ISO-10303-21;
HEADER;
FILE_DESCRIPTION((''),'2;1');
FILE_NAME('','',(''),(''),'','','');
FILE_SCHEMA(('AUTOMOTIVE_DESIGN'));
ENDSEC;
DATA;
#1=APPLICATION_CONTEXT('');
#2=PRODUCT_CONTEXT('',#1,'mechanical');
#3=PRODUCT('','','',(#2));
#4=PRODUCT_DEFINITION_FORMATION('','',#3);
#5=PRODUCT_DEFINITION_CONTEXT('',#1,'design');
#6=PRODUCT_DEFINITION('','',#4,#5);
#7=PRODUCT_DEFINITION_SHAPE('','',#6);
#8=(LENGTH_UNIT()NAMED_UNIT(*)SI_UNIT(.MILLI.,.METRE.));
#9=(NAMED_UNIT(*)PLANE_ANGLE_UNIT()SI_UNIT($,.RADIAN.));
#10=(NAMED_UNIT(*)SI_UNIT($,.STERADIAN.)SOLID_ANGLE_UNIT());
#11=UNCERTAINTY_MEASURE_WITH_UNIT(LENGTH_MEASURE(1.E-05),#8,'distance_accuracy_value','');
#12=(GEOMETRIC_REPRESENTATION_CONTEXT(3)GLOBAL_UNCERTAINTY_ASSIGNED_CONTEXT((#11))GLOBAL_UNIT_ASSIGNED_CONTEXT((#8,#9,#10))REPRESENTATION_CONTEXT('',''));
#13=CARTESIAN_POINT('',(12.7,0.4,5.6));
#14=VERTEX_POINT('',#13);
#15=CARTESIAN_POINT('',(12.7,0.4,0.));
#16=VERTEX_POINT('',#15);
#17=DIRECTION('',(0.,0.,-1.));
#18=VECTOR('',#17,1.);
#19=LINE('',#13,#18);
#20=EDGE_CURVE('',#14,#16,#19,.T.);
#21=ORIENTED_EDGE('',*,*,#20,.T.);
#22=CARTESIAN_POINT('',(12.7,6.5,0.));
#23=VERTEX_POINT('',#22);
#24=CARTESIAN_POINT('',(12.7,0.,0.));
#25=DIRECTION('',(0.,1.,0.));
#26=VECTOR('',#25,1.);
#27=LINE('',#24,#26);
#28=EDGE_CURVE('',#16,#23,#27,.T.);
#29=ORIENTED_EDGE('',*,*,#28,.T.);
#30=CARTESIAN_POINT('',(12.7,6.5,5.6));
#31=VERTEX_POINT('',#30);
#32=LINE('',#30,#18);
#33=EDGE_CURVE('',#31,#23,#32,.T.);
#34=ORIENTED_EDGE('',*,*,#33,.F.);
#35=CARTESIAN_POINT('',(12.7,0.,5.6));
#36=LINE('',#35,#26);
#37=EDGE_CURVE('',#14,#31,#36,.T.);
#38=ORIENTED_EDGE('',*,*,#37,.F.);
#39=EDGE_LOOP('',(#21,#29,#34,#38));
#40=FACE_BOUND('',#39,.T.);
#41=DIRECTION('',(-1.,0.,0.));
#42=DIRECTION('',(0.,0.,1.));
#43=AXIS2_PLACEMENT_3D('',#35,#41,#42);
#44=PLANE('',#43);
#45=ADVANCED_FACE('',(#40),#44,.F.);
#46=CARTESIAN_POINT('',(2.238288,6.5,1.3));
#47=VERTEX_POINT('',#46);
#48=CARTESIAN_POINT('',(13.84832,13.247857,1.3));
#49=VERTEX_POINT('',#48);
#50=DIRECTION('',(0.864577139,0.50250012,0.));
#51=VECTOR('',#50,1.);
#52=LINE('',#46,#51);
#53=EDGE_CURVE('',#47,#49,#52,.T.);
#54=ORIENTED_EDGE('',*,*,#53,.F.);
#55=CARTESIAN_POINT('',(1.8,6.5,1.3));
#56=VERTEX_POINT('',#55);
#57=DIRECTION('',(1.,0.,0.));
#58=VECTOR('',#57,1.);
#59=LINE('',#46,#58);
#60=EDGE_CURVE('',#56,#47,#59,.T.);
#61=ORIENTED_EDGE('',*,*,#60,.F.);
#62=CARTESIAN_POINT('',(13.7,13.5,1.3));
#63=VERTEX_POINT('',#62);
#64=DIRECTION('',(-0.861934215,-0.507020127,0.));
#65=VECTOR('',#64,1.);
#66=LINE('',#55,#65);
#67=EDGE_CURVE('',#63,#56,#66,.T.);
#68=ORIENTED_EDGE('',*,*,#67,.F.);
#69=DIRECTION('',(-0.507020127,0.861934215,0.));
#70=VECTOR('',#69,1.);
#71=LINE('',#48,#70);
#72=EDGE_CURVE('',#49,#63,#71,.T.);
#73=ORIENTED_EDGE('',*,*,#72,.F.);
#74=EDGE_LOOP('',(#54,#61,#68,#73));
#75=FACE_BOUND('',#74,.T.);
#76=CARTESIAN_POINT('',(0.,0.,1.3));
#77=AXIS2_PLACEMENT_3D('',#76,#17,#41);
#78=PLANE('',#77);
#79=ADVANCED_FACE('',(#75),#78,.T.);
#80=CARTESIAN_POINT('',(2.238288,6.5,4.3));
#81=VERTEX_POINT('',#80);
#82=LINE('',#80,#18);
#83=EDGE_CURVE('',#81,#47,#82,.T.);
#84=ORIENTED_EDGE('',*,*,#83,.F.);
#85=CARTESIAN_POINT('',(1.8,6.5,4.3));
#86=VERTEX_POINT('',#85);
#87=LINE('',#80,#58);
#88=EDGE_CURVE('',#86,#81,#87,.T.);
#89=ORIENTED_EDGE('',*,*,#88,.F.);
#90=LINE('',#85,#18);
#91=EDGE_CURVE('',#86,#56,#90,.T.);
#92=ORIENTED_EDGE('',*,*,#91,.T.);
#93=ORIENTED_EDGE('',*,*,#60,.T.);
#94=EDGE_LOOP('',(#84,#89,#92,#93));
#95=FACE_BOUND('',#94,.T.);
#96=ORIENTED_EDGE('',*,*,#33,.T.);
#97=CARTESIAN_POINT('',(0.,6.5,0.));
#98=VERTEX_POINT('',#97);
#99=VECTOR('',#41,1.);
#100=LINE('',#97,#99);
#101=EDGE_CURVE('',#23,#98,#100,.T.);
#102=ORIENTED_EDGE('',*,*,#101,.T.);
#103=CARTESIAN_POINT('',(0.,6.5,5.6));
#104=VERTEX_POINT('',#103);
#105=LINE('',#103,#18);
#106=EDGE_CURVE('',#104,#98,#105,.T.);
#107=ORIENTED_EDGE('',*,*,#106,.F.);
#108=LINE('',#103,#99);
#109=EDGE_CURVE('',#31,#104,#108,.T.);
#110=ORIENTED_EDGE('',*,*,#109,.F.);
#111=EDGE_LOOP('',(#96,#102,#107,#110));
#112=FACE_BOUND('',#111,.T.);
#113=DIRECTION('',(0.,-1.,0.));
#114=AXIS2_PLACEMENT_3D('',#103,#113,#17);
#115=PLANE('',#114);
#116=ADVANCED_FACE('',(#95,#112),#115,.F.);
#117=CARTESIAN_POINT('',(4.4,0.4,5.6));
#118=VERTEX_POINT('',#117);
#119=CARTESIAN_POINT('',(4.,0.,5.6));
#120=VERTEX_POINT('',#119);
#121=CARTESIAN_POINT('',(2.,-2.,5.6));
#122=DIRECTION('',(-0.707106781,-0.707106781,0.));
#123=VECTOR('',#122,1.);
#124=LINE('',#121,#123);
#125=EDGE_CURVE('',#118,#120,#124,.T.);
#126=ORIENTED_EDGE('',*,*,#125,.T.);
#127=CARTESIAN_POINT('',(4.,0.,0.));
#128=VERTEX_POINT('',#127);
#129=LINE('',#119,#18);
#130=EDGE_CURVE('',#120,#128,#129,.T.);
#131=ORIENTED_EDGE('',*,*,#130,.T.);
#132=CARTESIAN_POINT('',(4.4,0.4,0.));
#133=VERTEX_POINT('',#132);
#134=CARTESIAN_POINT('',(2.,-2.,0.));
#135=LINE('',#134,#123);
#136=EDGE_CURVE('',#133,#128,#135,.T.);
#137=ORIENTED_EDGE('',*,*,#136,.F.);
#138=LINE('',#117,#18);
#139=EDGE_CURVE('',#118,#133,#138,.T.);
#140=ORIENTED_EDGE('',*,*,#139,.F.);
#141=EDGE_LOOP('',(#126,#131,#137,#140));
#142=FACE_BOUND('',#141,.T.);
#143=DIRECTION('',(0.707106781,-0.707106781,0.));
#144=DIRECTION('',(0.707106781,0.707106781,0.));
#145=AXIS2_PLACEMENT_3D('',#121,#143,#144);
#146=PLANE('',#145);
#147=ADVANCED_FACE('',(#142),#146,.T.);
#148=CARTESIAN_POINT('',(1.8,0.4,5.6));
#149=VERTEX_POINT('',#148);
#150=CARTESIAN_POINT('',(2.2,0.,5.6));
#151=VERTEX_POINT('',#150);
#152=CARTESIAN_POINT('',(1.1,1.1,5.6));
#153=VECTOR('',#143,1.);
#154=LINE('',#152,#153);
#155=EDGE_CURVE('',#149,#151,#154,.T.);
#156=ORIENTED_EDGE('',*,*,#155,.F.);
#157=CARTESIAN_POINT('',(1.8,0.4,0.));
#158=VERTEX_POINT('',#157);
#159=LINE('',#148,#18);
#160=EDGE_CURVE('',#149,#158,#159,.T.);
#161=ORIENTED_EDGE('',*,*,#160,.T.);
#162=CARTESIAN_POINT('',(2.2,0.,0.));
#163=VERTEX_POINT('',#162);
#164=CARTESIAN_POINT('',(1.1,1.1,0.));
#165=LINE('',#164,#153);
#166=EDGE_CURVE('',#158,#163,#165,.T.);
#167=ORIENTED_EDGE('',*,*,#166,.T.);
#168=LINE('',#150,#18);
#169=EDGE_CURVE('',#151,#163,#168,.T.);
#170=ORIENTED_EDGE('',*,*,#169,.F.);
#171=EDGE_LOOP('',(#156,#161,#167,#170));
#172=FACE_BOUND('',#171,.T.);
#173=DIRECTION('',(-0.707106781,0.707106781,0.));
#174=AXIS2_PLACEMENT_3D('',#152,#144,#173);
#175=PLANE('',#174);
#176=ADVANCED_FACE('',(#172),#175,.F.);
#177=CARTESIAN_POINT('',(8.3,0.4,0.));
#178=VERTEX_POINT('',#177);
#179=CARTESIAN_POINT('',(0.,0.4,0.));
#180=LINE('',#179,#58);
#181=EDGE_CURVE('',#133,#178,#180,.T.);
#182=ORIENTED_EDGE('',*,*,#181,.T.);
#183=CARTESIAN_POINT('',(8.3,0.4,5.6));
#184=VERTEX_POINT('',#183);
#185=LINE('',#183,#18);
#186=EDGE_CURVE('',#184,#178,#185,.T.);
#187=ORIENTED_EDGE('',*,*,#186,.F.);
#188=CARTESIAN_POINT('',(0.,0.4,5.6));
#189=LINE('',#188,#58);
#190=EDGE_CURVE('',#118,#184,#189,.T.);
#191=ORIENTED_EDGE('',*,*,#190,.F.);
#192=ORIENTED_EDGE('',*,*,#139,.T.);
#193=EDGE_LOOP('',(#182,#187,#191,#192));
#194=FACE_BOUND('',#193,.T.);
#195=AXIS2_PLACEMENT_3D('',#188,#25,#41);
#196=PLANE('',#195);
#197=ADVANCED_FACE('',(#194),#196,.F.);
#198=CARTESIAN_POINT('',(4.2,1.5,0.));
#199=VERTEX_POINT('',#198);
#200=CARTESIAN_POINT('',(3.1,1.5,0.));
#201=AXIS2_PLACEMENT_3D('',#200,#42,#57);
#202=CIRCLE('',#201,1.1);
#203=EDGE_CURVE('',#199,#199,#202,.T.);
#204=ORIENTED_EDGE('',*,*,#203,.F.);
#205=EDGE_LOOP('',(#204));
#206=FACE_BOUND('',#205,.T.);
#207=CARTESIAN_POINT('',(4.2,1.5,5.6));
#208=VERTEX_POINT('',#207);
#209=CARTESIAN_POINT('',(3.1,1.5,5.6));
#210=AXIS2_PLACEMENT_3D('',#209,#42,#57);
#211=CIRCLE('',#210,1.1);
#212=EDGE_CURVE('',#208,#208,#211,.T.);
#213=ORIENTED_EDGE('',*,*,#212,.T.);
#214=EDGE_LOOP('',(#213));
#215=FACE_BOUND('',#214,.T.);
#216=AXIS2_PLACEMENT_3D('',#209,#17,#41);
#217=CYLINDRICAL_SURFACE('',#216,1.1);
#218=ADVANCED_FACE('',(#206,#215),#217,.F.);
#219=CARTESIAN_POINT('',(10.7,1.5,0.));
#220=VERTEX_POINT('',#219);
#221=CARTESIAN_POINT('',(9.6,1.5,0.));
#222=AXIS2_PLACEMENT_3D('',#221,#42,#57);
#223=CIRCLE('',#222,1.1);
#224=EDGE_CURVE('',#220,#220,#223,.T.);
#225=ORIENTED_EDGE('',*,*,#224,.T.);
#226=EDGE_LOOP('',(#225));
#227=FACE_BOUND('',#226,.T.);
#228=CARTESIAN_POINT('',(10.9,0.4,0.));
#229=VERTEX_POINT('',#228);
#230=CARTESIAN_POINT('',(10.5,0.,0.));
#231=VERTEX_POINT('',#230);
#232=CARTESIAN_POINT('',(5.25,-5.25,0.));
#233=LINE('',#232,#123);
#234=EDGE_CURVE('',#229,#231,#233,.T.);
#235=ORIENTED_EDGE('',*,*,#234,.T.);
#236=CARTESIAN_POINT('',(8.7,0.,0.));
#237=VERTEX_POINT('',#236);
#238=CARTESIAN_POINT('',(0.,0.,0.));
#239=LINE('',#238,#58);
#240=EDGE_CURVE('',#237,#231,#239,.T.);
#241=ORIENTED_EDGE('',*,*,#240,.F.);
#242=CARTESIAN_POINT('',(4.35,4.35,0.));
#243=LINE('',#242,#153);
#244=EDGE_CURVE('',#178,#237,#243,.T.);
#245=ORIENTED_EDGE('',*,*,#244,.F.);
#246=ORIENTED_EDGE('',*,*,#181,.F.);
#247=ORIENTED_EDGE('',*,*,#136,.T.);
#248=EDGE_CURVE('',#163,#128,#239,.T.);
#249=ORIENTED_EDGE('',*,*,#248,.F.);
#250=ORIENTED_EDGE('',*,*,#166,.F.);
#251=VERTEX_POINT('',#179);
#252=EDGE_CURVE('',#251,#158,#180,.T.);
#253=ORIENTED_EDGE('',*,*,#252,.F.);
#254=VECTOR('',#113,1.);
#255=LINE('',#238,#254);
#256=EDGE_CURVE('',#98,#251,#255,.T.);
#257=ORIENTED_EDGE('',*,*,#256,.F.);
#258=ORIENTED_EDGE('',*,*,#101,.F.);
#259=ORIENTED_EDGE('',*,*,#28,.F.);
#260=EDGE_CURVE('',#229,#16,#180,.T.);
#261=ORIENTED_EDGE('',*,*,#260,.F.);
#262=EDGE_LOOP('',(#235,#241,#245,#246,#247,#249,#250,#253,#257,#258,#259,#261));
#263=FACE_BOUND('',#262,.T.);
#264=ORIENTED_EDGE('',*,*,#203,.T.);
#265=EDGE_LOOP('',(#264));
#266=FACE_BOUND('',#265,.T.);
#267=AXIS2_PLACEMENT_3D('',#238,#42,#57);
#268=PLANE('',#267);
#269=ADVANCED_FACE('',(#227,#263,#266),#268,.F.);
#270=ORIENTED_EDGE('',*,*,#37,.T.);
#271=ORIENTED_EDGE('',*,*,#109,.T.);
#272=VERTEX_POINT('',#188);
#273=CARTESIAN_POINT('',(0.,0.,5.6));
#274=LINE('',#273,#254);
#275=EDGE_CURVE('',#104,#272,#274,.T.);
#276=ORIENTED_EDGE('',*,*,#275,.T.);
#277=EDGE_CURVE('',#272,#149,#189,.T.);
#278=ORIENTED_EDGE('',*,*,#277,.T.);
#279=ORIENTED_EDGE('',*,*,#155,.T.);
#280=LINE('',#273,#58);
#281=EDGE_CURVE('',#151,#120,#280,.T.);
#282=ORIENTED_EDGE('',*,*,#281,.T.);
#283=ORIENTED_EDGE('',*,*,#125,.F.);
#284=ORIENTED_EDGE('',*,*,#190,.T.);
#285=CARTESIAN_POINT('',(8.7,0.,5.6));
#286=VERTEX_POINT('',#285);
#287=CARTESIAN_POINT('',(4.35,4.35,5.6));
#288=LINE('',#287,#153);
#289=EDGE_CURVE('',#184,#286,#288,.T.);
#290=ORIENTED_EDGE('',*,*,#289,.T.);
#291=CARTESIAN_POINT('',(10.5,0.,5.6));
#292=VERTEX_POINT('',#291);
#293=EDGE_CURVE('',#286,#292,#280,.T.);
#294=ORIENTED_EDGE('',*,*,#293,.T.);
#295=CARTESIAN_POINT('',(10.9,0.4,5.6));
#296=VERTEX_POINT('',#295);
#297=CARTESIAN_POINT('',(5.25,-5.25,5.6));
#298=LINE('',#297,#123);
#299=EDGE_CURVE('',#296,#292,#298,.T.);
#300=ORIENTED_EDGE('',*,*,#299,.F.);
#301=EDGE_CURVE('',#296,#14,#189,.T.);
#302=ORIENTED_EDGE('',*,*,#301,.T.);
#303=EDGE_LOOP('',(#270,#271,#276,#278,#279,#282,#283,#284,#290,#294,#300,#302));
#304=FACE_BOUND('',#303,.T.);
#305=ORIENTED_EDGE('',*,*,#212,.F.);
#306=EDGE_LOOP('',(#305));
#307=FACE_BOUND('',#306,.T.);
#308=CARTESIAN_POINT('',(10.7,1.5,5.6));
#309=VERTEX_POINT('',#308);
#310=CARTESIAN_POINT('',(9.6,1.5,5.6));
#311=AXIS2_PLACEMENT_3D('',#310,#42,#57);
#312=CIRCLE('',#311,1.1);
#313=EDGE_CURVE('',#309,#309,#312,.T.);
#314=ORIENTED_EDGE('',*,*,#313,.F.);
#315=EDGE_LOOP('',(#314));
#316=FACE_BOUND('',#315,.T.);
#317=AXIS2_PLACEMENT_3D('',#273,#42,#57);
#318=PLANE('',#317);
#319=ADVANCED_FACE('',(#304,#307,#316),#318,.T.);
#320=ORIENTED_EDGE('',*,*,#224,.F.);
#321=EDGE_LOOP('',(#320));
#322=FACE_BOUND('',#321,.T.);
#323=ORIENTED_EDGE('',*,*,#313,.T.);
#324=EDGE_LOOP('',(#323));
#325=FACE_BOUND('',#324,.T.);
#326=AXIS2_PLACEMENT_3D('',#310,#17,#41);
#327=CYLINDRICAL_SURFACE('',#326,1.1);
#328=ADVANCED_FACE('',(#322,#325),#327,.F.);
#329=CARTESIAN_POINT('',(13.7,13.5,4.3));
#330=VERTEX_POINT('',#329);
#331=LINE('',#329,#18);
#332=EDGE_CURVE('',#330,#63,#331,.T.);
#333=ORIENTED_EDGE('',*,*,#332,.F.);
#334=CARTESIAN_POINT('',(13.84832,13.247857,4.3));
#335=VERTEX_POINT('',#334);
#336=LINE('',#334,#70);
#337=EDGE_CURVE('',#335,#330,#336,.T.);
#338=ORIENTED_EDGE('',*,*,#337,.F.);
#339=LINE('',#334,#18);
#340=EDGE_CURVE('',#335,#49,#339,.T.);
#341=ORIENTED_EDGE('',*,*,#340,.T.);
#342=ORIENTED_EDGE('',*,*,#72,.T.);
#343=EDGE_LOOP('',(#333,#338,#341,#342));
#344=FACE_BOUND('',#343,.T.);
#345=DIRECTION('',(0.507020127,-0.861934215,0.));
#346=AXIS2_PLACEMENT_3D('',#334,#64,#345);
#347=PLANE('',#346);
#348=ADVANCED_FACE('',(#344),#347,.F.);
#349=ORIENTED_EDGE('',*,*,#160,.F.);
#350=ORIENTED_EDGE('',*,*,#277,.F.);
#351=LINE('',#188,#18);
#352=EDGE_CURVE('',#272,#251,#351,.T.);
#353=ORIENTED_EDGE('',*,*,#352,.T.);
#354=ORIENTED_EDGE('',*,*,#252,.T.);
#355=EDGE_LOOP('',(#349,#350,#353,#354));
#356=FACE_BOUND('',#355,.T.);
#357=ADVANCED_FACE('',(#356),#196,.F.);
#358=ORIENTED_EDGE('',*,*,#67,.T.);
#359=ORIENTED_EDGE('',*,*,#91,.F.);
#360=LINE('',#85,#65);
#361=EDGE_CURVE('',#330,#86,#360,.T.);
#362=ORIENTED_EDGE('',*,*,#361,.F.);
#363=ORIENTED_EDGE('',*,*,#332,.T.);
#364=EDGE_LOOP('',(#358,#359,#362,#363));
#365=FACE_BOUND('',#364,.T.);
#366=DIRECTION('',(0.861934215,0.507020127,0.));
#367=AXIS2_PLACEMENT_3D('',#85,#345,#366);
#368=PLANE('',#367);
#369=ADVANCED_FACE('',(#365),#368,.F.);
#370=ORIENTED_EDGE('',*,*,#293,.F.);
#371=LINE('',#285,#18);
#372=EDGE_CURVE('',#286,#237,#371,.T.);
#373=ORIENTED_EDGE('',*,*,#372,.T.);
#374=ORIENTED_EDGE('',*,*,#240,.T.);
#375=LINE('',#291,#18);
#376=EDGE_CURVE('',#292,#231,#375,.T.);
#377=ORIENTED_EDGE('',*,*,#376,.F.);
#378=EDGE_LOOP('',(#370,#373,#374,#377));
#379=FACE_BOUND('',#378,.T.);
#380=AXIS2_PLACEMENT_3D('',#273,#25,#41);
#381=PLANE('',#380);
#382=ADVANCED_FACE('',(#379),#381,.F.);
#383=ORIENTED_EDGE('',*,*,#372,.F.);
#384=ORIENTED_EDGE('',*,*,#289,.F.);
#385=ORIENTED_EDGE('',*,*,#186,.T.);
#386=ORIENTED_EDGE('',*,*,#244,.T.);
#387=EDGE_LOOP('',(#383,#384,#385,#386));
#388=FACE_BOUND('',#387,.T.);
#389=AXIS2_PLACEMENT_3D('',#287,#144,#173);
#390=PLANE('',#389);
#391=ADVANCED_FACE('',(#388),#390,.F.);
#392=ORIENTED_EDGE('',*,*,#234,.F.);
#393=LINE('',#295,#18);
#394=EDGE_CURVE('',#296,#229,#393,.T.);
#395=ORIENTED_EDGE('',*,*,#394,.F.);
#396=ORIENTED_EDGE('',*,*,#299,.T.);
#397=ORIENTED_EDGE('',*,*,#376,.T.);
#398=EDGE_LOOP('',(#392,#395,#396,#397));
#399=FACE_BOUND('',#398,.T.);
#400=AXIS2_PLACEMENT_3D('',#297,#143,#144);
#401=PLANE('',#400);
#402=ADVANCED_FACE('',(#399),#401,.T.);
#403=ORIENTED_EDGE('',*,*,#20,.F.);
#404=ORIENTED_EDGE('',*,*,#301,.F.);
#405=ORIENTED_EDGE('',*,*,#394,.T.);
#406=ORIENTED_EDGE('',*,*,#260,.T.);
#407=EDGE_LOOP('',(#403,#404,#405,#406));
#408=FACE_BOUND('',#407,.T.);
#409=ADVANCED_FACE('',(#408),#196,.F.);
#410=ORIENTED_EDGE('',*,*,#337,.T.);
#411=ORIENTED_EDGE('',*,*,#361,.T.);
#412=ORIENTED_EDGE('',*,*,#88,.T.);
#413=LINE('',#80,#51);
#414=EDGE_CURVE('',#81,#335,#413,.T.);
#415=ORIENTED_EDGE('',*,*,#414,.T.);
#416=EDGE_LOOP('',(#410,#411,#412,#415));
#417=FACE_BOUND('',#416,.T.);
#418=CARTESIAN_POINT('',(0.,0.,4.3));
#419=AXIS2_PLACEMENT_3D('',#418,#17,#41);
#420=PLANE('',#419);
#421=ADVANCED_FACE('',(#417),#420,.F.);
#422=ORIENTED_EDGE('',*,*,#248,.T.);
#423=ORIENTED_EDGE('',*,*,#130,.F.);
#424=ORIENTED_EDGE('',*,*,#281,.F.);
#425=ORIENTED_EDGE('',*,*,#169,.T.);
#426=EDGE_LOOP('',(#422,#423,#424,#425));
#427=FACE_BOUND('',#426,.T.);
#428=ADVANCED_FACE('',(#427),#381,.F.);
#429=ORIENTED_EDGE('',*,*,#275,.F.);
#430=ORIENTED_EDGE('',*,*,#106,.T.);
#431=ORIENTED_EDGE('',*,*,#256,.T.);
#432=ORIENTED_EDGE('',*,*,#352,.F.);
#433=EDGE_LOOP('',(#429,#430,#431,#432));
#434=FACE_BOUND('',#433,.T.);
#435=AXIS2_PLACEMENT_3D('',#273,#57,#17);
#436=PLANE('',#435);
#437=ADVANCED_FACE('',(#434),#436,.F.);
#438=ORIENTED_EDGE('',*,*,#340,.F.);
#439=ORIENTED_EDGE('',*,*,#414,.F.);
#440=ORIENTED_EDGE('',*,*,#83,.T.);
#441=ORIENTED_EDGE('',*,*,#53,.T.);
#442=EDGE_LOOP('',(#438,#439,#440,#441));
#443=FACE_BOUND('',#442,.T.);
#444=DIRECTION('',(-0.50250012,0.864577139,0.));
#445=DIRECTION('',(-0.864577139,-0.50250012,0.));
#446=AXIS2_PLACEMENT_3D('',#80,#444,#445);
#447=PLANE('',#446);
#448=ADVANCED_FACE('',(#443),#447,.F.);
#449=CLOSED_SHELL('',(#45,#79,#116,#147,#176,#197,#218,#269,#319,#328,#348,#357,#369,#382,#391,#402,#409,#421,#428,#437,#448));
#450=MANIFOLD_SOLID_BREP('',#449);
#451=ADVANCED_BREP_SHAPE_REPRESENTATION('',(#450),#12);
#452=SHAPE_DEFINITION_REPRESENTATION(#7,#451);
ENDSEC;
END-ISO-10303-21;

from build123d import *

# Parameters (mm, degrees)
SKETCH_1_R      = 1.1
EXTRUDE_1_DEPTH = 5.6
EXTRUDE_2_DEPTH = 1.5


with BuildPart() as part:
    # 草图1 → 凸台-拉伸1 (new body)
    with BuildSketch(Plane.XY):
        Polygon((1.8, 0.4), (2.2, 0), (4, 0), (4.4, 0.4), (8.3, 0.4), (8.7, 0), (10.5, 0), (10.9, 0.4), (12.7, 0.4), (12.7, 6.5), (2.517906402, 6.5), (2, 6.5), (0, 6.5), (0, 0.4), align=None)
        with Locations((3.1, 1.5)):
            Circle(SKETCH_1_R, mode=Mode.SUBTRACT)
        with Locations((9.6, 1.5)):
            Circle(SKETCH_1_R, mode=Mode.SUBTRACT)
    extrude(amount=EXTRUDE_1_DEPTH)

    # 草图3 → 凸台-拉伸2 (add, symmetric)
    with BuildSketch(Plane.XY.offset(2.8)):
        Polygon((1.8, 6.5), (13.7, 13.5), (13.84831969, 13.247856527), (2.238287657, 6.5), align=None)
    extrude(amount=EXTRUDE_2_DEPTH, both=True)


solid = part.part
